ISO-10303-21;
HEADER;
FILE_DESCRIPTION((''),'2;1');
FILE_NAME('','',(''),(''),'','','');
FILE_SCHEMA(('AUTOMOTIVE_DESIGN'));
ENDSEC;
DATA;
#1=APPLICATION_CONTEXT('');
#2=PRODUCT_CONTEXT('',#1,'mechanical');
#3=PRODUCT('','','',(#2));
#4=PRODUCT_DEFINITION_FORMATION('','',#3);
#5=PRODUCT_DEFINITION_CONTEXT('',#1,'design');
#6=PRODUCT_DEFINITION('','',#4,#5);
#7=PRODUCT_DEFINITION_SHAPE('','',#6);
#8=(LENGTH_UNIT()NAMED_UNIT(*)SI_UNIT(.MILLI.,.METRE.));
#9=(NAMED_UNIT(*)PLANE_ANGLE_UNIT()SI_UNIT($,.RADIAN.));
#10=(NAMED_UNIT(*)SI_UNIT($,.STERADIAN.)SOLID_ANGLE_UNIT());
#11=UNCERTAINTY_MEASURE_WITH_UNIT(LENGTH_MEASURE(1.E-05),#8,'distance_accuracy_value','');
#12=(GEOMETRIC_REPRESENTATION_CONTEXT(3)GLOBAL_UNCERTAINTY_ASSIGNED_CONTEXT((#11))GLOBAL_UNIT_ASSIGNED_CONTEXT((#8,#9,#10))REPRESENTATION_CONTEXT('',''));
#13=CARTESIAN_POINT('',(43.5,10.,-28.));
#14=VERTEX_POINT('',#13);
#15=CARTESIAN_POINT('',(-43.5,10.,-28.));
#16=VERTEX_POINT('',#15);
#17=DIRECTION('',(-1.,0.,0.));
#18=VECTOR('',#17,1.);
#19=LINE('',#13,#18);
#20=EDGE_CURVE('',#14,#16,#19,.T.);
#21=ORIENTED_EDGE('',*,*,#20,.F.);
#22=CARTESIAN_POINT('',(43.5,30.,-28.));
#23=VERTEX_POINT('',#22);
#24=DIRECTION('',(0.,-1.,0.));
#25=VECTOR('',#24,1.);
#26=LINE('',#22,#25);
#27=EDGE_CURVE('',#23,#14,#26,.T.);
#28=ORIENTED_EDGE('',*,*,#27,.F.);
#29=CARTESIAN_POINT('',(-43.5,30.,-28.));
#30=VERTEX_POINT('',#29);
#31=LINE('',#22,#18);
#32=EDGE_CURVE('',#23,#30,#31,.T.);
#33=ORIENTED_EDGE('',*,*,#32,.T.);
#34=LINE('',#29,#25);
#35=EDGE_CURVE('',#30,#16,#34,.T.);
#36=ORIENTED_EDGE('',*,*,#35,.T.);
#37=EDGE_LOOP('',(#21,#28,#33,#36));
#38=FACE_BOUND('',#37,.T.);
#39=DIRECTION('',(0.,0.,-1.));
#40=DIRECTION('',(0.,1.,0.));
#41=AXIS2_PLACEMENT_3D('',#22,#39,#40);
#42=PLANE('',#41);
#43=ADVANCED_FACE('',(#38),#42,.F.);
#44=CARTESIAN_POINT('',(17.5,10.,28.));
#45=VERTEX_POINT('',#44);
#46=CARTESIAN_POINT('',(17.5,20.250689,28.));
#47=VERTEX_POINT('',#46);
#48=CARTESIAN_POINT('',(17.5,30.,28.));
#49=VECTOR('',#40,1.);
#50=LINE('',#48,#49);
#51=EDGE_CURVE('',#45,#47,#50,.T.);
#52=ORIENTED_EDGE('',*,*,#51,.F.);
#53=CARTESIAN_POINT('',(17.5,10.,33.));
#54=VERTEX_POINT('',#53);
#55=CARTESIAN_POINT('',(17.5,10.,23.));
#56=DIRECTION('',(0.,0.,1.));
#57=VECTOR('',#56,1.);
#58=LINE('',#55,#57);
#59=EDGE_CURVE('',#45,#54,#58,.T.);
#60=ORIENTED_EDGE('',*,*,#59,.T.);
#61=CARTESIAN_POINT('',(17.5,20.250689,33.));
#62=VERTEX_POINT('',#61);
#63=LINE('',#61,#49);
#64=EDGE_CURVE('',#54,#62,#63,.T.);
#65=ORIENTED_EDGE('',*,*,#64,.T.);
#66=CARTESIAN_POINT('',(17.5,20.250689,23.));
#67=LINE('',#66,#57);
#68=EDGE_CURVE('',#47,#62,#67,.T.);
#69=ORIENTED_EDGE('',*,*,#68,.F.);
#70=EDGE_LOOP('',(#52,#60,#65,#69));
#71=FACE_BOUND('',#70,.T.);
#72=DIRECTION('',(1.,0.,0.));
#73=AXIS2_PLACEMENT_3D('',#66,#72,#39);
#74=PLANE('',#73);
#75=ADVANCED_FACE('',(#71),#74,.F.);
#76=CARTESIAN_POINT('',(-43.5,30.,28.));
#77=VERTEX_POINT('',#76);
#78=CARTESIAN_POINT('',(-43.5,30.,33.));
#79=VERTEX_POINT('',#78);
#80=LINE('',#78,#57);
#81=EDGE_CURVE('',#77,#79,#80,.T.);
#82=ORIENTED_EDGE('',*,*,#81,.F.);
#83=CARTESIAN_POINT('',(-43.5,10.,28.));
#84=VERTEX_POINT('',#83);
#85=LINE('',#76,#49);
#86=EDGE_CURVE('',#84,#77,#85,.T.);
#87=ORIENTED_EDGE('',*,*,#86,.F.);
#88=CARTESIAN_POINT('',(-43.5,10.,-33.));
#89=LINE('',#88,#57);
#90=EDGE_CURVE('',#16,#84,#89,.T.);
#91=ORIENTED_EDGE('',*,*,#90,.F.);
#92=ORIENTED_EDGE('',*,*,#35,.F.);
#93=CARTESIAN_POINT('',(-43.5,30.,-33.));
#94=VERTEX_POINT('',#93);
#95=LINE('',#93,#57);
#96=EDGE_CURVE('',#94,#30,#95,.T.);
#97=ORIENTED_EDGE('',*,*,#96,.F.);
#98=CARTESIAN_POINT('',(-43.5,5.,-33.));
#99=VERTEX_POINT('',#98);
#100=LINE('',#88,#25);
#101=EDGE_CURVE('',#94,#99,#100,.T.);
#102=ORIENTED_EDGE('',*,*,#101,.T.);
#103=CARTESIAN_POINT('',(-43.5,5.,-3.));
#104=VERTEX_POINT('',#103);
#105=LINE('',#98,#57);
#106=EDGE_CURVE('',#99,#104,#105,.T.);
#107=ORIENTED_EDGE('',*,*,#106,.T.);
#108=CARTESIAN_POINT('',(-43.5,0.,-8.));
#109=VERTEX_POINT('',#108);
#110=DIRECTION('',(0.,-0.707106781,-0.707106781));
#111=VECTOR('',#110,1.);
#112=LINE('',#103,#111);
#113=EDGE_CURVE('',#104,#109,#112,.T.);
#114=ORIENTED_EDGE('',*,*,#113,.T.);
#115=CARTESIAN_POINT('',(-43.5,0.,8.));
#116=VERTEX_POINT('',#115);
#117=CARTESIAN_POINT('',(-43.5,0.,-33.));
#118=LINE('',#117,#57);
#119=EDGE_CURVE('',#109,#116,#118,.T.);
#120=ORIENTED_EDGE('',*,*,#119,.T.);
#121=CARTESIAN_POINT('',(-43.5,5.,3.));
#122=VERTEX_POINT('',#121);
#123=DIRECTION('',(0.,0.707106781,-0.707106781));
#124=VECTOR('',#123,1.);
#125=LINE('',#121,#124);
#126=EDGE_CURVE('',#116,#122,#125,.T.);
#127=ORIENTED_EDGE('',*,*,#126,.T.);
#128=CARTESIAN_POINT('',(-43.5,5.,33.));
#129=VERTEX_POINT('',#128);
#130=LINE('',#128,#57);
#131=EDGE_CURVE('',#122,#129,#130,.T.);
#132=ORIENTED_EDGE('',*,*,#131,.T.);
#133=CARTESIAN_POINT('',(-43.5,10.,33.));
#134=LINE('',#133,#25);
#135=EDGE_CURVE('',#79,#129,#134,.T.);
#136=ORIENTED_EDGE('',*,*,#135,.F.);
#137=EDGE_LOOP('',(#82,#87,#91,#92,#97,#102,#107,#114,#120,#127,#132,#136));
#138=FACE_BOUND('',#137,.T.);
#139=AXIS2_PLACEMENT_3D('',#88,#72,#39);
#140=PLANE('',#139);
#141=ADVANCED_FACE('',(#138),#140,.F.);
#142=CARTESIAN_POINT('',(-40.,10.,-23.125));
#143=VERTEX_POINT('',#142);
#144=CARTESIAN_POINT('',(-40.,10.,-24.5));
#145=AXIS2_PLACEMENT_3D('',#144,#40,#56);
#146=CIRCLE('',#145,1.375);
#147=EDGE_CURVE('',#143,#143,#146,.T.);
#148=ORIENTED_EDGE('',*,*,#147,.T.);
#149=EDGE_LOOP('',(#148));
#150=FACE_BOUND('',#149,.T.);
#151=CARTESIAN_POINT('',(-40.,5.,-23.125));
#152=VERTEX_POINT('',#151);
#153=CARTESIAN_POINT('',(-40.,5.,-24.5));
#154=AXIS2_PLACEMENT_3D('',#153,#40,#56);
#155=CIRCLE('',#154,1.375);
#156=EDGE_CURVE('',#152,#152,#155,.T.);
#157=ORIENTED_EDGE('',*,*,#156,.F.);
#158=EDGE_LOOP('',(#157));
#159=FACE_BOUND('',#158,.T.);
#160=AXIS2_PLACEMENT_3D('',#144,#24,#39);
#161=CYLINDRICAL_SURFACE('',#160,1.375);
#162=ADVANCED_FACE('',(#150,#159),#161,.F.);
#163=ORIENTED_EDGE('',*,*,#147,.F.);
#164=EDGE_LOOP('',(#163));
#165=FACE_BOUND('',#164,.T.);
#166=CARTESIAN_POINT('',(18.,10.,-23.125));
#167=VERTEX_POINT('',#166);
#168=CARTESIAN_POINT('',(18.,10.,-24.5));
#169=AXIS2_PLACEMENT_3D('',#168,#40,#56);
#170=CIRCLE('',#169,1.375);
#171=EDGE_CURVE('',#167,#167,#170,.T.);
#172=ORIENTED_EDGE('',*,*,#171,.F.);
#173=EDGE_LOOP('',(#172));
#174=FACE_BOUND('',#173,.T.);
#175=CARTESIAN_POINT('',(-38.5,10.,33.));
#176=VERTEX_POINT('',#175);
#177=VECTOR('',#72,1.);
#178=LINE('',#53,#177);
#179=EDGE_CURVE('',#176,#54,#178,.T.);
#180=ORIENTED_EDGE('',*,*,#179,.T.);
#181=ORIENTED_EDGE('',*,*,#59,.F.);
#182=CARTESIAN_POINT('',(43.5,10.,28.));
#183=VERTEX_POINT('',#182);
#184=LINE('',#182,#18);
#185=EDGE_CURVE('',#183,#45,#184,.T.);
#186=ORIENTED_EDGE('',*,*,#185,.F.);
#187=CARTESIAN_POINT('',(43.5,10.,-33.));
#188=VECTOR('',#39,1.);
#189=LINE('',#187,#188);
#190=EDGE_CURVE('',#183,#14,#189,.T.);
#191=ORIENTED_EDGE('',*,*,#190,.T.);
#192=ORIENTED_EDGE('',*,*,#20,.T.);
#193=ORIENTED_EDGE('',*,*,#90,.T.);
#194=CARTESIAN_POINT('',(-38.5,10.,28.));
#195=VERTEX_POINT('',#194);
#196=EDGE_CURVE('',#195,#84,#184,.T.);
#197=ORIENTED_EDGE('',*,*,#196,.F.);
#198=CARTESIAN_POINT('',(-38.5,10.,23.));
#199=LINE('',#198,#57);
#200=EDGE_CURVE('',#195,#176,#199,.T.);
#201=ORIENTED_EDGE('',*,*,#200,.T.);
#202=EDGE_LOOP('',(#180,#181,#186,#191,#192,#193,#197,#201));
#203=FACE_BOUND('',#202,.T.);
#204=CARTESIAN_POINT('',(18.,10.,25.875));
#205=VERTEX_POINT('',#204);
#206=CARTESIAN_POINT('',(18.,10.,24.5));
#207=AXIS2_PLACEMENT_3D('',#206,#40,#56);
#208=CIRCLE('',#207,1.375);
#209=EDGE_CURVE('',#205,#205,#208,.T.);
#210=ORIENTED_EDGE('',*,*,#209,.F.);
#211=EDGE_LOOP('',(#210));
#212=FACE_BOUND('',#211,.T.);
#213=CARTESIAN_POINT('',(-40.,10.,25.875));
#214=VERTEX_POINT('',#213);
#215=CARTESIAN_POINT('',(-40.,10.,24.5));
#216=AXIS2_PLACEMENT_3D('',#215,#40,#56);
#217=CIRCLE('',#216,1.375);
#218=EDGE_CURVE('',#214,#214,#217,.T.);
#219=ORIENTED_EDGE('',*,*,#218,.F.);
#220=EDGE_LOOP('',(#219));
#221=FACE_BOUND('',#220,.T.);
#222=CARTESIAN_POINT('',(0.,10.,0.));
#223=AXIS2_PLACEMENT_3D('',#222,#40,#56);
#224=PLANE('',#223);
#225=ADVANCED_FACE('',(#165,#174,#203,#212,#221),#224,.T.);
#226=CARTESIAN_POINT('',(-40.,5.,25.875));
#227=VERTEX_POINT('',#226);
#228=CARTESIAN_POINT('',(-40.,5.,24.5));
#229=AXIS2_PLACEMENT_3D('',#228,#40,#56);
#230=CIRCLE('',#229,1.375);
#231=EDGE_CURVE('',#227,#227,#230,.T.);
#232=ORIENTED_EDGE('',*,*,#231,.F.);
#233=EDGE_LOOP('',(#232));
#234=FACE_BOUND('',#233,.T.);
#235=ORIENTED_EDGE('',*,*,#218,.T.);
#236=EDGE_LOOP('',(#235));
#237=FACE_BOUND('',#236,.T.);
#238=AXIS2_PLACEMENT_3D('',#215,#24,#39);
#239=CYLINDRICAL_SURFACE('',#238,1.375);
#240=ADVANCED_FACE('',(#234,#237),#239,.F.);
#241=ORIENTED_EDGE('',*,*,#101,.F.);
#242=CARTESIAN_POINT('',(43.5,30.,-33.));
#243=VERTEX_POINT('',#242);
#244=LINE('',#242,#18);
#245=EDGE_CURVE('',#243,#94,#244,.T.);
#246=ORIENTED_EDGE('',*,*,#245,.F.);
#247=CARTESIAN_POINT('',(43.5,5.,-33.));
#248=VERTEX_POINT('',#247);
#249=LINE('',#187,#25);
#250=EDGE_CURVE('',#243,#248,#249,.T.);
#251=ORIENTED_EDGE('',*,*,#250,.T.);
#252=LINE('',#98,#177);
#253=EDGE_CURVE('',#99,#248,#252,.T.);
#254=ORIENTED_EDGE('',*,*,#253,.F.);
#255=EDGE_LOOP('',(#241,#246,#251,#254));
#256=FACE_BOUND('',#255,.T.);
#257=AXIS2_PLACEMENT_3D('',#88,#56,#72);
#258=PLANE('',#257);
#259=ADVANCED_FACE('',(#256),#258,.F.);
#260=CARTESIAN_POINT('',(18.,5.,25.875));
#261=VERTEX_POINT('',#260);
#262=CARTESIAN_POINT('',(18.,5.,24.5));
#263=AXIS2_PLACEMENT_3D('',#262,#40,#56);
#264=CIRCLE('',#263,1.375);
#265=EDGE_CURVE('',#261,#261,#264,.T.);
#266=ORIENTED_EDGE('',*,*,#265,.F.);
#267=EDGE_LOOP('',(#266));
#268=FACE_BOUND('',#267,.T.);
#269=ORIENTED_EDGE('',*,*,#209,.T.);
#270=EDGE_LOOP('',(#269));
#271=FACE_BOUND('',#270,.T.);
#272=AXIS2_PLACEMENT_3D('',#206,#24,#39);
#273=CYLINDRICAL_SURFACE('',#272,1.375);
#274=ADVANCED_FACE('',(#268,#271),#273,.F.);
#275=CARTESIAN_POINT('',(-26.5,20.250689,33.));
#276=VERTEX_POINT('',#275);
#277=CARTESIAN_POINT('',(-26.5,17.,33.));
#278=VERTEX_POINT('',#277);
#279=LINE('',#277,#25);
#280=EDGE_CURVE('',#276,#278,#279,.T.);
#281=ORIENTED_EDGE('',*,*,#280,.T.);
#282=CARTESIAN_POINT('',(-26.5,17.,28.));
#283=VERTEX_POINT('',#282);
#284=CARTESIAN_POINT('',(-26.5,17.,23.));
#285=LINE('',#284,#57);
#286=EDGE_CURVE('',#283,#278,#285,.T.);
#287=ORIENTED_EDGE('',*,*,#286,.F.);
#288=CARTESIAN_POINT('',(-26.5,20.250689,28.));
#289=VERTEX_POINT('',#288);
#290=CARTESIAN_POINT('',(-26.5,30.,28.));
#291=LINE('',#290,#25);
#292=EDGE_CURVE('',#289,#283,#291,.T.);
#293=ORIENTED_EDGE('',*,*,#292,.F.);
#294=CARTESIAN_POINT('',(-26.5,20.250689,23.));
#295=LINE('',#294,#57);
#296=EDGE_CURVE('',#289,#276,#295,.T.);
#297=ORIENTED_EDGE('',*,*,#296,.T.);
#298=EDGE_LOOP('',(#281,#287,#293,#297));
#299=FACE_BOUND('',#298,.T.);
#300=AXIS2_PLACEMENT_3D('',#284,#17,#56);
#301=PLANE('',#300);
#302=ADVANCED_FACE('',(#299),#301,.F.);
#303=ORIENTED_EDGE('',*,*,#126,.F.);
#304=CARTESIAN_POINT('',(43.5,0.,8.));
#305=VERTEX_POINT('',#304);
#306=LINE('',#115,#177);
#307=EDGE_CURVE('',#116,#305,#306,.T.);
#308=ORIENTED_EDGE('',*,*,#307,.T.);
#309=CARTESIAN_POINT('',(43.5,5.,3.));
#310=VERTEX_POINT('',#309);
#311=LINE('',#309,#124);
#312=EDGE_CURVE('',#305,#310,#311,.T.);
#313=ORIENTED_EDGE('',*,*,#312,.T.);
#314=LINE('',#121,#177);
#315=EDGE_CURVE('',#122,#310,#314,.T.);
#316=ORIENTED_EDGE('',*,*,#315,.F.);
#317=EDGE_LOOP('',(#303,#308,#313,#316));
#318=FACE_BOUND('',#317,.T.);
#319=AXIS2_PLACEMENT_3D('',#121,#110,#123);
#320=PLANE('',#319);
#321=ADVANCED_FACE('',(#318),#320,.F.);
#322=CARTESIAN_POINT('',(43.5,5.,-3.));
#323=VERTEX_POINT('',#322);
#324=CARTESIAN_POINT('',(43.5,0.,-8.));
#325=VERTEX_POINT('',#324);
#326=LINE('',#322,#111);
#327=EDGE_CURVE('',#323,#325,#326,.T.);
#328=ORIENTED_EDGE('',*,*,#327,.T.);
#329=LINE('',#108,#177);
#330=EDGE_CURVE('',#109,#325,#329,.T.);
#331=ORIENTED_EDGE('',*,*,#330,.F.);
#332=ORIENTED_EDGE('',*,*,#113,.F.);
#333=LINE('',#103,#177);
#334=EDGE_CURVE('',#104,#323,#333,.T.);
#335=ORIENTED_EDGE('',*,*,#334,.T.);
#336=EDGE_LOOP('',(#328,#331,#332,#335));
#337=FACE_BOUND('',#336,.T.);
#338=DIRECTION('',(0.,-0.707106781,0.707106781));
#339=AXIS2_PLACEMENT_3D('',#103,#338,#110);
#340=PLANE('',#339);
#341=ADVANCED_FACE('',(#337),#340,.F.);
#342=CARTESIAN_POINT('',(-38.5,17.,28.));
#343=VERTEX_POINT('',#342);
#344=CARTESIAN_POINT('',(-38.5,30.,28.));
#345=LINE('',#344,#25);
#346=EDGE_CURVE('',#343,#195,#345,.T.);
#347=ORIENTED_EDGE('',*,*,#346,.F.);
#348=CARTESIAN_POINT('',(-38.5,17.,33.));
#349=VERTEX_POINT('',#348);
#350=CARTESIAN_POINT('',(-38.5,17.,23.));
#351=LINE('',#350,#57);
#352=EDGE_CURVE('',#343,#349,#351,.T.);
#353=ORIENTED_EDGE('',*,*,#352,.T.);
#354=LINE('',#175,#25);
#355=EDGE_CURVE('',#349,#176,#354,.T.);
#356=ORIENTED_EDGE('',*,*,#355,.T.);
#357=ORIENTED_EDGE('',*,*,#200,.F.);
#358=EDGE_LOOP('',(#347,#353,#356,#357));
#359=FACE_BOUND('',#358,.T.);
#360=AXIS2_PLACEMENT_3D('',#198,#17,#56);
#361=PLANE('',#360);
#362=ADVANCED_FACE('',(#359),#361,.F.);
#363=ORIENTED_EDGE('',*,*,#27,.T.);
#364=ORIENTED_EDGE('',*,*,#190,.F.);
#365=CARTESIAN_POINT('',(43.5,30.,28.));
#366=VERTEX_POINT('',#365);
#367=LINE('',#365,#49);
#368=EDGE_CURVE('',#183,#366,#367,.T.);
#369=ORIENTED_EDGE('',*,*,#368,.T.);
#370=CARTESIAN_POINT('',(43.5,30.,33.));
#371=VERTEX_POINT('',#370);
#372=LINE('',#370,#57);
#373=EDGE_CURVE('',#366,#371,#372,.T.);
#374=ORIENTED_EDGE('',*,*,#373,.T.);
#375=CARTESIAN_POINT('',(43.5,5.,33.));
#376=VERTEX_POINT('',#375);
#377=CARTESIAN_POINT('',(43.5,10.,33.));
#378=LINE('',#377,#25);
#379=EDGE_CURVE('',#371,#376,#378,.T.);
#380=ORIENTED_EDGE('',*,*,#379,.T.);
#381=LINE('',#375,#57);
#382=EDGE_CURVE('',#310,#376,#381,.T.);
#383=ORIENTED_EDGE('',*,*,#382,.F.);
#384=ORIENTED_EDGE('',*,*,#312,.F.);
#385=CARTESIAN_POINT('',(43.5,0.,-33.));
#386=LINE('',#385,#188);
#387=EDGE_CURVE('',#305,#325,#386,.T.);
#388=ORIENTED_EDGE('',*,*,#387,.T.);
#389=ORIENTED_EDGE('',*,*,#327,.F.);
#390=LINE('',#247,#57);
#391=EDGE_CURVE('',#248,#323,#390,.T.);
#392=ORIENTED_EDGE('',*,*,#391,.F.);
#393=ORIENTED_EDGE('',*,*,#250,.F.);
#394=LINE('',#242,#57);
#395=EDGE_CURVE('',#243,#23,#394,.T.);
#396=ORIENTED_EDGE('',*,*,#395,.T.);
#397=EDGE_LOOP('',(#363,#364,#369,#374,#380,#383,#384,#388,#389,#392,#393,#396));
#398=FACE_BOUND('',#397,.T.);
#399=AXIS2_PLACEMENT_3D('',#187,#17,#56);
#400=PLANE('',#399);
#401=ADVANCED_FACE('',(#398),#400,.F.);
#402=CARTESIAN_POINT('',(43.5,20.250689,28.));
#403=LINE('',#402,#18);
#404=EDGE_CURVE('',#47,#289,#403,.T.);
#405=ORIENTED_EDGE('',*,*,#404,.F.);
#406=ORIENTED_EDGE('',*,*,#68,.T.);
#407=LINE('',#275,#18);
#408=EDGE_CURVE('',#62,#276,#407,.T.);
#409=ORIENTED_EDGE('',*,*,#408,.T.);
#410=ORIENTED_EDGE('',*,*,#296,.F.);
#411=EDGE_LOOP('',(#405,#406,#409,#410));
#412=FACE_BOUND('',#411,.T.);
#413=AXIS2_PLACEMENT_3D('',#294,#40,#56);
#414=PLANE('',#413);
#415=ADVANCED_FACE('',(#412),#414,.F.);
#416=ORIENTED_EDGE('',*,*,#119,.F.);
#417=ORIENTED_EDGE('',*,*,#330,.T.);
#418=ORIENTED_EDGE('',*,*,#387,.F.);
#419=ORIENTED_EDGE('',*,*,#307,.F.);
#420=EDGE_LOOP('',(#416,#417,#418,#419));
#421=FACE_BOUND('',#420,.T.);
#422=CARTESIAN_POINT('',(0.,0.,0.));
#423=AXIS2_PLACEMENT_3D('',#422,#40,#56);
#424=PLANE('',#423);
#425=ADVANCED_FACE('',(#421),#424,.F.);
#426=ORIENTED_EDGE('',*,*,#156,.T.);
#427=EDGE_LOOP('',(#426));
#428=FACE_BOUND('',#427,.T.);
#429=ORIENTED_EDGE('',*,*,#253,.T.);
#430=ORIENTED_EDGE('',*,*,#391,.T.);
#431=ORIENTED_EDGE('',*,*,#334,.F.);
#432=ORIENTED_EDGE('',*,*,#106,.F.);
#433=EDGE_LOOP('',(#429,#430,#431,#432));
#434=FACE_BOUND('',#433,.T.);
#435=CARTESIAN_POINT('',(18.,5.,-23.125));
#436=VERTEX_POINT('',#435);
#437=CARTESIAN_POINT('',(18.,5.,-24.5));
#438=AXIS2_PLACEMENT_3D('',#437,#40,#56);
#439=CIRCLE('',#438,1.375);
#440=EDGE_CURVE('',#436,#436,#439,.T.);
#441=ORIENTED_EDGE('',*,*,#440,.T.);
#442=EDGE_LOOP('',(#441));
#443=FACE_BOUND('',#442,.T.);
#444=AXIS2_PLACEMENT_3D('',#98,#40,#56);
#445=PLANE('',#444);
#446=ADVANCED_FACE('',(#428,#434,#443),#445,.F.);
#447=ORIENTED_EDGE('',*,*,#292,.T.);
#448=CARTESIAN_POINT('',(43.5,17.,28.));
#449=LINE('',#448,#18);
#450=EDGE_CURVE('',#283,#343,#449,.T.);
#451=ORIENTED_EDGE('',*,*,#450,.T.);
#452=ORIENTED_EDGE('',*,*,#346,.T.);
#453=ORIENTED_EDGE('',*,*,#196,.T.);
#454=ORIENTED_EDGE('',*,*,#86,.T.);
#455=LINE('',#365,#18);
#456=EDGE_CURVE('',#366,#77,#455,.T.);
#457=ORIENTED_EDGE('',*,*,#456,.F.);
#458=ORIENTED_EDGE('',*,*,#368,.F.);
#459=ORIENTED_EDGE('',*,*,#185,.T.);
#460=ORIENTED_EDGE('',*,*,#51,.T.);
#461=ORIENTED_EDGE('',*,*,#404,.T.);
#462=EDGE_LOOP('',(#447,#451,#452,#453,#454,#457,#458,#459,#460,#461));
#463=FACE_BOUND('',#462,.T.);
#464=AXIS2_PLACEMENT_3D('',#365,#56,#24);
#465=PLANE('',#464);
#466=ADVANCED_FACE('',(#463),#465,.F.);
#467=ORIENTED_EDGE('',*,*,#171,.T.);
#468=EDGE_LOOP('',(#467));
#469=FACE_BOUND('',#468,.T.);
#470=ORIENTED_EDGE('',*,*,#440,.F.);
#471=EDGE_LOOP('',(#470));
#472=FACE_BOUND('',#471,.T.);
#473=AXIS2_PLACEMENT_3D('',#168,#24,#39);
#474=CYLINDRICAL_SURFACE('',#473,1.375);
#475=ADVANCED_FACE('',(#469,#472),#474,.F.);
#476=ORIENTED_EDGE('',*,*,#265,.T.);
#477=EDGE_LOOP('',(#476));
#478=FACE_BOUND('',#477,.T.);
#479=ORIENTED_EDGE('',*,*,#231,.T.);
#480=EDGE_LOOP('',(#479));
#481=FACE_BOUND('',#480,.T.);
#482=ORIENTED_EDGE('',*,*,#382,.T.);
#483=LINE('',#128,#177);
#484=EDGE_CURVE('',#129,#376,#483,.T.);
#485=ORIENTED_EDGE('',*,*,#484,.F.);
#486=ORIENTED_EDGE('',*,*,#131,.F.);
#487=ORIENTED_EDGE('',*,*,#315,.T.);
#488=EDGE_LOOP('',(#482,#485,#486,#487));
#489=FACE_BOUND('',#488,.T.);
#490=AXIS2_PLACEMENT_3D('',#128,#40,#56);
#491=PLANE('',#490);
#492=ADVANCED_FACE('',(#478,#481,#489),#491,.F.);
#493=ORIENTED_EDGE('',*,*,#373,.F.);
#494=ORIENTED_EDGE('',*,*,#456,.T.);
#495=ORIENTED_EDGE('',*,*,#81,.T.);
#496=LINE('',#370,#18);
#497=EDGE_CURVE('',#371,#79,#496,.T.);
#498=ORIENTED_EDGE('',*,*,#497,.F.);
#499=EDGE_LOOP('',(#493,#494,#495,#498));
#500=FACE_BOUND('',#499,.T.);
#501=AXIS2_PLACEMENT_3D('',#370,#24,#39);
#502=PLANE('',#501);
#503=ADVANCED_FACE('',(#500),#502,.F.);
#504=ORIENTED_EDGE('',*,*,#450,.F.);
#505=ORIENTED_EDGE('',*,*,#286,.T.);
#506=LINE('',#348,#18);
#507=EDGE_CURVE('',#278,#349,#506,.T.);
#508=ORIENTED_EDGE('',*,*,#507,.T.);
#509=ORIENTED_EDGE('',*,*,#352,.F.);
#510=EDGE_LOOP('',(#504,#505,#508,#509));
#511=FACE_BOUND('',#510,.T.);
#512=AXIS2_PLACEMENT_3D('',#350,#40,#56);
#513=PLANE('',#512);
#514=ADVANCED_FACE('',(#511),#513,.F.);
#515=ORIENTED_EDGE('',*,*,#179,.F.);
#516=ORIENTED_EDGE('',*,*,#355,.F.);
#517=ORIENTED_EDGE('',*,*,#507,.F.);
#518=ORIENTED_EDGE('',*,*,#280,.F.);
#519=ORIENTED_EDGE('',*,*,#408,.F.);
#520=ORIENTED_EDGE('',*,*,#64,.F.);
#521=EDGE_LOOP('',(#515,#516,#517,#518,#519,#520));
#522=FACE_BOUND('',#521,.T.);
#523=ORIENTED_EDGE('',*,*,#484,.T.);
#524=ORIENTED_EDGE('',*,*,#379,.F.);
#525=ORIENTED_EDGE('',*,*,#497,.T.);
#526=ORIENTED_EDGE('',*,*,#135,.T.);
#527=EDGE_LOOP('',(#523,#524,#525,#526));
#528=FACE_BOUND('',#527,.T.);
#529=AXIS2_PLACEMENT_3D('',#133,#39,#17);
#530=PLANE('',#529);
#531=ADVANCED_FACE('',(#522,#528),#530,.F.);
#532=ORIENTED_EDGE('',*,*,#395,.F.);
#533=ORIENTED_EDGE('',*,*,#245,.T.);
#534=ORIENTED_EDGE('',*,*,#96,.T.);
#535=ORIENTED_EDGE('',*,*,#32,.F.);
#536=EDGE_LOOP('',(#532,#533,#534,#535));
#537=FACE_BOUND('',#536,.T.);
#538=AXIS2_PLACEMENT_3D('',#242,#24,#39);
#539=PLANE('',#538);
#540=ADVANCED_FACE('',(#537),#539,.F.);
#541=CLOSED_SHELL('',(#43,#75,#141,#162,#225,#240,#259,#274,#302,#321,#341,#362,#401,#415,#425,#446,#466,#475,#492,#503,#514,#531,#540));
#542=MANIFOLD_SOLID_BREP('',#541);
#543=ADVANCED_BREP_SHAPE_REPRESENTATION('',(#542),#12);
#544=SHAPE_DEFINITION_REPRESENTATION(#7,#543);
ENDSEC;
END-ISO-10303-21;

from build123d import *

# Parameters (mm, degrees)
SKETCH1_W                = 87
SKETCH1_H                = 66
SKETCH1_R                = 1.375
BOSS_EXTRUDE1_DEPTH      = 10
CUT_EXTRUDE1_DEPTH       = 56.509008278
CUT_EXTRUDE1_DEPTH_BACK  = 56.509008278
BOSS_EXTRUDE2_DEPTH      = 43.5
BOSS_EXTRUDE2_DEPTH_BACK = 43.5
SKETCH3_W                = 5
SKETCH3_H                = 20
CUT_EXTRUDE2_DEPTH       = 10


with BuildPart() as part:
    # Sketch1 → Boss-Extrude1 (new body)
    with BuildSketch(Plane(origin=(0, 0, 0), x_dir=(1, 0, 0), z_dir=(0, 1, 0))):
        Rectangle(SKETCH1_W, SKETCH1_H)
        with Locations(Location((-40, 24.5, 0), (0, 0, 270))):
            Circle(SKETCH1_R, mode=Mode.SUBTRACT)
        with Locations(Location((-40, -24.5, 0), (0, 0, 270))):
            Circle(SKETCH1_R, mode=Mode.SUBTRACT)
        with Locations(Location((18, 24.5, 0), (0, 0, 270))):
            Circle(SKETCH1_R, mode=Mode.SUBTRACT)
        with Locations(Location((18, -24.5, 0), (0, 0, 270))):
            Circle(SKETCH1_R, mode=Mode.SUBTRACT)
    extrude(amount=BOSS_EXTRUDE1_DEPTH)

    # Sketch2 → Cut-Extrude1 (cut, two sides: drawn at the far end of the back side and taken through both)
    with BuildSketch(Plane(origin=(0, 0, 0), x_dir=(0, 0, -1), z_dir=(1, 0, 0)).offset(-CUT_EXTRUDE1_DEPTH_BACK)):
        Polygon((33, 5), (3, 5), (8, 0), (33, 0), align=None)
        Polygon((-33, 5), (-3, 5), (-8, 0), (-33, 0), align=None)
    extrude(amount=CUT_EXTRUDE1_DEPTH + CUT_EXTRUDE1_DEPTH_BACK, mode=Mode.SUBTRACT)

    # Sketch3 → Boss-Extrude2 (add, two sides: drawn at the far end of the back side and taken through both)
    with BuildSketch(Plane(origin=(0, 0, 0), x_dir=(0, 0, -1), z_dir=(1, 0, 0)).offset(-BOSS_EXTRUDE2_DEPTH_BACK)):
        with Locations((30.5, 20)):
            Rectangle(SKETCH3_W, SKETCH3_H)
        with Locations((-30.5, 20)):
            Rectangle(SKETCH3_W, SKETCH3_H)
    extrude(amount=BOSS_EXTRUDE2_DEPTH + BOSS_EXTRUDE2_DEPTH_BACK)

    # Sketch4 → Cut-Extrude2 (cut)
    with BuildSketch(Plane.XY.offset(33)):
        Polygon((-26.5, 17), (-26.5, 20.250689265), (17.5, 20.250689265), (17.5, 10), (-26.5, 10), (-38.5, 10), (-38.5, 17), align=None)
    extrude(amount=-CUT_EXTRUDE2_DEPTH, mode=Mode.SUBTRACT)


solid = part.part
